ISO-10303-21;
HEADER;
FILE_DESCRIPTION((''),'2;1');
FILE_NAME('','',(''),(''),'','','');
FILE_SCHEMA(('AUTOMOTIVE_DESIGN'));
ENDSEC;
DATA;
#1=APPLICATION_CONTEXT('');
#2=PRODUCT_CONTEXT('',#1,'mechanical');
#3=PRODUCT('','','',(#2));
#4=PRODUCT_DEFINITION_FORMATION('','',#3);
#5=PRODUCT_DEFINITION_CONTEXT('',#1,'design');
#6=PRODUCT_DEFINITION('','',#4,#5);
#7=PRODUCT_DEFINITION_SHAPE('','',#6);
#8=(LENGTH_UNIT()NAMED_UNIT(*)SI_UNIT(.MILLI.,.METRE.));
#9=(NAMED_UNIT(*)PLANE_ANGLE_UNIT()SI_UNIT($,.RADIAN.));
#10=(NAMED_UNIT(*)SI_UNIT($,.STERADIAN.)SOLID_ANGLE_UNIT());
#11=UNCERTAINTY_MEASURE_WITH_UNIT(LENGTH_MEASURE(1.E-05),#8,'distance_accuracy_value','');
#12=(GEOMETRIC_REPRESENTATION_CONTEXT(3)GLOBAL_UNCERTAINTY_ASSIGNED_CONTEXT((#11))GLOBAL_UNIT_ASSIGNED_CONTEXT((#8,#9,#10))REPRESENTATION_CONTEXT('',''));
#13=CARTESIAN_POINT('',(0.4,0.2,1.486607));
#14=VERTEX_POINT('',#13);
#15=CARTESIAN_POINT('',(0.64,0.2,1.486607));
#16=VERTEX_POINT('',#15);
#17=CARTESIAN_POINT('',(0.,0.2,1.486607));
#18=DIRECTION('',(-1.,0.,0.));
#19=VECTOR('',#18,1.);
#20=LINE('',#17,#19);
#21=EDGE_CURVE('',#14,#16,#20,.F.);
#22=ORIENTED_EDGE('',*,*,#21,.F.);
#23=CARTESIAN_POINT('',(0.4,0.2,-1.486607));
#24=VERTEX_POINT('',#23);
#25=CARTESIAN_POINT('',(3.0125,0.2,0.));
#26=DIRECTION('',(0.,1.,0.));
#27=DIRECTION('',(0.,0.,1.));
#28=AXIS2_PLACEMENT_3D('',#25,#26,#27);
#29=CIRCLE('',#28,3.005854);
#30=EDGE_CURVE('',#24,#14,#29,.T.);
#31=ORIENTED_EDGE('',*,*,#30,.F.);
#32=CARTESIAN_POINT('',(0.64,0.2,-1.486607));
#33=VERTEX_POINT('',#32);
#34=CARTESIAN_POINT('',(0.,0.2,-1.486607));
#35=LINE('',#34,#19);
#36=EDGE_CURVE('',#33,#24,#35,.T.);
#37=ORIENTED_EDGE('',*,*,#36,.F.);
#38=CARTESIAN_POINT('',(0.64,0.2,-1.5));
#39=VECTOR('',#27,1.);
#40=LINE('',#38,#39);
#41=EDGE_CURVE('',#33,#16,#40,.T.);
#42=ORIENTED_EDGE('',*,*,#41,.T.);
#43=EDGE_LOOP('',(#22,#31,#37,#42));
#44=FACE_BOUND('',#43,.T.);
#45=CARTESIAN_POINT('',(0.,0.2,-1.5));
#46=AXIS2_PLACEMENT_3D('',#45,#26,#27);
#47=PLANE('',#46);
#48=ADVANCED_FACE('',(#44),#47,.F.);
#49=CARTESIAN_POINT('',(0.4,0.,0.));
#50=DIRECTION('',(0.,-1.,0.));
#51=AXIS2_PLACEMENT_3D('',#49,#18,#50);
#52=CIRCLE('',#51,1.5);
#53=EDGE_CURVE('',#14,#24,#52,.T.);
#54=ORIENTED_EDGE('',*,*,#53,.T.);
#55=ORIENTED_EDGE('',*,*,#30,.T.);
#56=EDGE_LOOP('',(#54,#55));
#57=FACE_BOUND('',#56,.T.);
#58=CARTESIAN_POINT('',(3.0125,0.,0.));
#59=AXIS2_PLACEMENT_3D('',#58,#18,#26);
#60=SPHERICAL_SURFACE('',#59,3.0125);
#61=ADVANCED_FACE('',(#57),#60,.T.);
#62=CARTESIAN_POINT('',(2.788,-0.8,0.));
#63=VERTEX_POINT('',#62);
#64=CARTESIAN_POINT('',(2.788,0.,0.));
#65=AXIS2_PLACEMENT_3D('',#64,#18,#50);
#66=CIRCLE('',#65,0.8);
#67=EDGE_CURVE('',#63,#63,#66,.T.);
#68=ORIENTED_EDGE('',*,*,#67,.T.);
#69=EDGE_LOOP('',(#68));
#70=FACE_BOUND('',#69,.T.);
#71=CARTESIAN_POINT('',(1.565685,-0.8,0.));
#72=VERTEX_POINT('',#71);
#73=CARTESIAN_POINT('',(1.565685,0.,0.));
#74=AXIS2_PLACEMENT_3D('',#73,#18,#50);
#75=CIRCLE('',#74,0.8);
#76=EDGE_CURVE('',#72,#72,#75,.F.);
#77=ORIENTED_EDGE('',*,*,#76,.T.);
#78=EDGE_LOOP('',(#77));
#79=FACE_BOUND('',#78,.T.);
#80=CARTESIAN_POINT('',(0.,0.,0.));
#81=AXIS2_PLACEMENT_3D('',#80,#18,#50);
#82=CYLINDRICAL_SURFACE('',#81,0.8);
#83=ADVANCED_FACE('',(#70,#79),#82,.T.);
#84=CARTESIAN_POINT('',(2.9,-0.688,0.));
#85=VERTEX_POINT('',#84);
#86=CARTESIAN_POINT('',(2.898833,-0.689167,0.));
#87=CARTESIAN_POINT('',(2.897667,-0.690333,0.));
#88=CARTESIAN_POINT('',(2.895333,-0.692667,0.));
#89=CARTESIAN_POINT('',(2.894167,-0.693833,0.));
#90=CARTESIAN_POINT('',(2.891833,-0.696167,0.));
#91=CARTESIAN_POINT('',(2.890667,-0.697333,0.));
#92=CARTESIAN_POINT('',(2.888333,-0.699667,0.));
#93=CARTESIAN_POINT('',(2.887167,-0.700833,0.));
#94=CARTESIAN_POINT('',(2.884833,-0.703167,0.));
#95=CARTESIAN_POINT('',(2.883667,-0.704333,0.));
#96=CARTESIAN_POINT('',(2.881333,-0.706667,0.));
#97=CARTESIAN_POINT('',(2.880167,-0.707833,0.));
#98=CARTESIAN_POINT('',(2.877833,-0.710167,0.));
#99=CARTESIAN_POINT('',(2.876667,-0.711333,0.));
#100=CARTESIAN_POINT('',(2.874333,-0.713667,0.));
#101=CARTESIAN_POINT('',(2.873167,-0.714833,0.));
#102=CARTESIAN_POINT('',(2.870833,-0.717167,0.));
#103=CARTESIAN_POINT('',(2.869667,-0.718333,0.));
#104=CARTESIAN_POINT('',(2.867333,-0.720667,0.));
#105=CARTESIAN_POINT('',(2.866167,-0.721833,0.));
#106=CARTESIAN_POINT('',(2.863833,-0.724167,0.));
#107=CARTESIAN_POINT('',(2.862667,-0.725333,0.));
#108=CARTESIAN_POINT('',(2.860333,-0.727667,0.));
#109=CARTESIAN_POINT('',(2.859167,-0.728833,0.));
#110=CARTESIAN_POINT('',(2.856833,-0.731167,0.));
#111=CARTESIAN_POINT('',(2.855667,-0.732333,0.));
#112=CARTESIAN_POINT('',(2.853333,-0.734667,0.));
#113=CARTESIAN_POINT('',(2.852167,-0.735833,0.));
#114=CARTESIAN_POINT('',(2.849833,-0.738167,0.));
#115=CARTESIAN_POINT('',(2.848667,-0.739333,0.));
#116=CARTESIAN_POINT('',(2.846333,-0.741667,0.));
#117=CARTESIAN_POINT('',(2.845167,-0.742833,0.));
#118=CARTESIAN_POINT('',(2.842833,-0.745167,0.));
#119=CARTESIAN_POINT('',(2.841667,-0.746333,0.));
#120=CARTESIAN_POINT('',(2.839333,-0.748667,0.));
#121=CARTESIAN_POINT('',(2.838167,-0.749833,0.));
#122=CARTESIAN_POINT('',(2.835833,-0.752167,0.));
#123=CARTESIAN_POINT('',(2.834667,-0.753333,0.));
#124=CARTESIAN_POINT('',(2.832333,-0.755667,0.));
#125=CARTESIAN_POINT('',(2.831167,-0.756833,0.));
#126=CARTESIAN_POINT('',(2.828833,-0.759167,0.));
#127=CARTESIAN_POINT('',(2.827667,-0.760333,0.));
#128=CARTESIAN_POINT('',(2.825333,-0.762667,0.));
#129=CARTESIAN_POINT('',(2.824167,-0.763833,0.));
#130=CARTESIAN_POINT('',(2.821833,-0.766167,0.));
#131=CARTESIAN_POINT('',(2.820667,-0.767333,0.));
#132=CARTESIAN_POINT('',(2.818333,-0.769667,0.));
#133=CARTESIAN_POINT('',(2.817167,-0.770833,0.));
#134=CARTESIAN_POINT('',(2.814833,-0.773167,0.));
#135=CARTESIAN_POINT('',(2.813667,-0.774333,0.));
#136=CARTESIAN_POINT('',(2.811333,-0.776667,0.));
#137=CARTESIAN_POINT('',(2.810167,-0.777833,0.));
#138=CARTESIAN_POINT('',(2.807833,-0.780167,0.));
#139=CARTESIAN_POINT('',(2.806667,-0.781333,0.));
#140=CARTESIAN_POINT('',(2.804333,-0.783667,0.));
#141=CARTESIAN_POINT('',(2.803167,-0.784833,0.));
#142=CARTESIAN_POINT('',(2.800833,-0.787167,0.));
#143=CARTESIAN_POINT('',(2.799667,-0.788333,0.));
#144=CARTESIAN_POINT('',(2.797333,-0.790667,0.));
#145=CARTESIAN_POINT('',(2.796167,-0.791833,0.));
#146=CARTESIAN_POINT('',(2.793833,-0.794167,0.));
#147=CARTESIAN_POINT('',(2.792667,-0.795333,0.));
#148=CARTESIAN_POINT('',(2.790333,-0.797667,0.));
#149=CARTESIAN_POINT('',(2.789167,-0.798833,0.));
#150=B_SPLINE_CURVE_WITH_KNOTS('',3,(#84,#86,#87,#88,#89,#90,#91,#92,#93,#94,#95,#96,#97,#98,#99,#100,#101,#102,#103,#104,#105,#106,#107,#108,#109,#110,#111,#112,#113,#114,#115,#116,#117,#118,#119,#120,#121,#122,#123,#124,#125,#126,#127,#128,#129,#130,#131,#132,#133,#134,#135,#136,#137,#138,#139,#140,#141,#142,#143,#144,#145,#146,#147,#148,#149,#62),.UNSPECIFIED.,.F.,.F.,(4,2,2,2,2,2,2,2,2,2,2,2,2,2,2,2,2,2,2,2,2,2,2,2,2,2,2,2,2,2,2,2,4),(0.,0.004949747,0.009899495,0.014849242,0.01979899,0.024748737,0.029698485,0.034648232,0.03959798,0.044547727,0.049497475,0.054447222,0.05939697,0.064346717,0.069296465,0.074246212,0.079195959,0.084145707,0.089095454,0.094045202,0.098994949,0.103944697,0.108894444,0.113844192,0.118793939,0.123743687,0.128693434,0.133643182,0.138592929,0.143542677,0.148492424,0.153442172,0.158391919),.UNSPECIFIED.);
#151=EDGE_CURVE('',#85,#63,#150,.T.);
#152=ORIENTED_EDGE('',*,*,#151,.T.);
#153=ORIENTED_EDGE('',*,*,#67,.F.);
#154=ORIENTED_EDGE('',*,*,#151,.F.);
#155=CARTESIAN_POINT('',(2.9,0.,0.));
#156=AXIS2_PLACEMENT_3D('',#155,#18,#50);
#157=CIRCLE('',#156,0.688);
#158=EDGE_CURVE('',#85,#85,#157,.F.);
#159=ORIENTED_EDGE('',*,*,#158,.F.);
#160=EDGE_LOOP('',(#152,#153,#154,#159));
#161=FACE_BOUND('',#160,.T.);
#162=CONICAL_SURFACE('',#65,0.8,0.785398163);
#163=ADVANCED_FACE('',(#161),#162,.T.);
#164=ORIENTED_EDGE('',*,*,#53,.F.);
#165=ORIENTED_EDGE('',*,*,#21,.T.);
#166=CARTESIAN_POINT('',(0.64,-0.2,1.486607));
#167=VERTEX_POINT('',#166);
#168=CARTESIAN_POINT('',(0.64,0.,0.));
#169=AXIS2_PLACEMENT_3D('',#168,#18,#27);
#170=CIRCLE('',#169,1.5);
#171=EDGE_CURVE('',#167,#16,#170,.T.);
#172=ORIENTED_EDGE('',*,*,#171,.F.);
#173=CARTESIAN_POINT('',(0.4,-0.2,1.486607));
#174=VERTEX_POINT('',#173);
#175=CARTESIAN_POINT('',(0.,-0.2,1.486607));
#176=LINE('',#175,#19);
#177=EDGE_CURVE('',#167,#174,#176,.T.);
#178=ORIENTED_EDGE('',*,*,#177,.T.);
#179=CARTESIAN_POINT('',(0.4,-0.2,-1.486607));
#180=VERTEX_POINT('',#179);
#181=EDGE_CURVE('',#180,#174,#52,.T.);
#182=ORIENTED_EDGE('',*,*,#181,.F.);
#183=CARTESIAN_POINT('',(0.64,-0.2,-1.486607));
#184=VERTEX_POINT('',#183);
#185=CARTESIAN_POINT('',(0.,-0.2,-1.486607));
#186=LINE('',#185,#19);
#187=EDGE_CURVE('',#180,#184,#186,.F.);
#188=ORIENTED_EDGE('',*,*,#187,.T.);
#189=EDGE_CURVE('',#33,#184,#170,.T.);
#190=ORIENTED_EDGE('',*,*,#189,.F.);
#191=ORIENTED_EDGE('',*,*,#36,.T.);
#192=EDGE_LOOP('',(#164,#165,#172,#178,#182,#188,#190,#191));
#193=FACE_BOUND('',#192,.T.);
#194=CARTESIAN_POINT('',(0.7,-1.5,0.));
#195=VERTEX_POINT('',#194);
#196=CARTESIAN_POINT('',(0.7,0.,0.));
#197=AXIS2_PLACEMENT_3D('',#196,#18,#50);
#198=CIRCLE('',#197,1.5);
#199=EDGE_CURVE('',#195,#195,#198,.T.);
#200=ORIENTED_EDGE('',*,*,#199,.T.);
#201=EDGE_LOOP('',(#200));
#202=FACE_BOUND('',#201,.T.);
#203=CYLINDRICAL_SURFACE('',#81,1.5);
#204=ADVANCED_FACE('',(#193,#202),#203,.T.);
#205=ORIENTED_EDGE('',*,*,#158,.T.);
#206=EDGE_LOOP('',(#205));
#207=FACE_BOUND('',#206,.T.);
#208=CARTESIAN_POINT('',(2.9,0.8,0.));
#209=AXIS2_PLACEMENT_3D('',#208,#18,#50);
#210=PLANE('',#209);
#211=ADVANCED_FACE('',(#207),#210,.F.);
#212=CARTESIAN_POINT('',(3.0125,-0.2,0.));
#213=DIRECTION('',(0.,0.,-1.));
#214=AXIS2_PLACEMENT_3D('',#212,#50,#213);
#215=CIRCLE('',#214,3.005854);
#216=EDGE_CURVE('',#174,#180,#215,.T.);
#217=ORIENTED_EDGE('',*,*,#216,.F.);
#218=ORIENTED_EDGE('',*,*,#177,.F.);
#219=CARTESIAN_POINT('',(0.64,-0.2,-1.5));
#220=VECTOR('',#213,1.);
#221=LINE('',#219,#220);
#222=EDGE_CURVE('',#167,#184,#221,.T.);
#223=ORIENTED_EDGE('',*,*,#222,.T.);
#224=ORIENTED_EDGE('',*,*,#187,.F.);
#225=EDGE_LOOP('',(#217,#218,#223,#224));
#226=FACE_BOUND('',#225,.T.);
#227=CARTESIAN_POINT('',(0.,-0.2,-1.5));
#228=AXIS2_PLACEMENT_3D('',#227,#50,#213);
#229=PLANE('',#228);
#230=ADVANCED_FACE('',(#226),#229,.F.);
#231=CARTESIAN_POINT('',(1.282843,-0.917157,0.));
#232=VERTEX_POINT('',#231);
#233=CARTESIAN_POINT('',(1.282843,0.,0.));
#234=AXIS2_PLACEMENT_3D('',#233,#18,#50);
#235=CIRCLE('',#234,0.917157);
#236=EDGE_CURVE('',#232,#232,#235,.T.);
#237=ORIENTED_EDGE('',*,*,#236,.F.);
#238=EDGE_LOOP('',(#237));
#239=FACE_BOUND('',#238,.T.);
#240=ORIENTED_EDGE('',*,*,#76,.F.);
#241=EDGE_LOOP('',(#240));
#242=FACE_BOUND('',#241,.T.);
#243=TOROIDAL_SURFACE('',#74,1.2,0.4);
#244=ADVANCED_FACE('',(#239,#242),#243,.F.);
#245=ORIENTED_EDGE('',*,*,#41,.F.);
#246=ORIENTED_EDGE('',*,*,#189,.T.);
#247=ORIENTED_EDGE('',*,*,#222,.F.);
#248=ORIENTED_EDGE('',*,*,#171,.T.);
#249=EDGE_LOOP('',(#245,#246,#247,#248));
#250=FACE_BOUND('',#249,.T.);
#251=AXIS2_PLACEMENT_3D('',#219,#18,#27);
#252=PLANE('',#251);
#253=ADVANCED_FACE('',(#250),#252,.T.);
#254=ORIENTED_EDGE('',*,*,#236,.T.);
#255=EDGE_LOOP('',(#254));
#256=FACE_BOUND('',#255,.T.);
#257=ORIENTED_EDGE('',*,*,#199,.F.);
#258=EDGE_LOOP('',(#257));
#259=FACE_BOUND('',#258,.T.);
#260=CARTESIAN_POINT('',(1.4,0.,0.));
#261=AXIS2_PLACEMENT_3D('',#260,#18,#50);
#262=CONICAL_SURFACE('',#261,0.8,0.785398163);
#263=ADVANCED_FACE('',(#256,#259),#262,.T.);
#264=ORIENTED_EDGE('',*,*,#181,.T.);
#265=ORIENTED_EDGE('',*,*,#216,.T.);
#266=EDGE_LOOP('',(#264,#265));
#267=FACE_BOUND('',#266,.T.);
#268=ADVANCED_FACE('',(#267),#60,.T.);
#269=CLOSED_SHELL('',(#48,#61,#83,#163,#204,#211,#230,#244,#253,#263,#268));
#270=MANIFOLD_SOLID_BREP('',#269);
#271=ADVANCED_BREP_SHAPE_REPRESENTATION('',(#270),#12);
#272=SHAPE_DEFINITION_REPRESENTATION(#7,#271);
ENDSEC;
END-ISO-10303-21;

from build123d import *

# Parameters (mm, degrees)
SKICA2_W                 = 3
SKICA2_H                 = 0.4
ODEBRAT_VYSUNUT_M1_DEPTH = 4.099612879
ZAOBLIT1_R               = 0.4
ZKOSIT1_SIZE             = 0.112


with BuildPart() as part:
    # Skica1 → Otočit kolem osy1 (revolve)
    with BuildSketch(Plane.XY, mode=Mode.PRIVATE) as oto_it_kolem_osy1_sk:
        with BuildLine():
            Line((0.4, 1.5), (0.7, 1.5))
            Line((0.7, 1.5), (1.4, 0.8))
            Line((1.4, 0.8), (2.9, 0.8))
            Line((2.9, 0.8), (2.9, 0))
            Line((2.9, 0), (0, 0))
            ThreePointArc((0, 0), (0.101717244, 0.776208735), (0.4, 1.5))
        make_face()
    revolve(oto_it_kolem_osy1_sk.sketch.rotate(Axis((0, 0, 0), (1, 0, 0)), 180), axis=Axis((0, 0, 0), (1, 0, 0)))

    # Skica2 → Odebrat vysunutím1 (cut, through all)
    with BuildSketch(Plane(origin=(0.64, 0, 0), x_dir=(0, 0, -1), z_dir=(1, 0, 0))):
        Rectangle(SKICA2_W, SKICA2_H)
    extrude(amount=-ODEBRAT_VYSUNUT_M1_DEPTH, mode=Mode.SUBTRACT)

    # Zaoblit1
    zaoblit1_edges = [part.edges().sort_by_distance(p)[0] for p in [
        (1.4, 0.8, 0),
    ]]
    fillet(zaoblit1_edges, radius=ZAOBLIT1_R)

    # Zkosit1
    zkosit1_edges = [part.edges().sort_by_distance(p)[0] for p in [
        (2.9, 0.8, 0),
    ]]
    chamfer(zkosit1_edges, length=ZKOSIT1_SIZE)


solid = part.part
